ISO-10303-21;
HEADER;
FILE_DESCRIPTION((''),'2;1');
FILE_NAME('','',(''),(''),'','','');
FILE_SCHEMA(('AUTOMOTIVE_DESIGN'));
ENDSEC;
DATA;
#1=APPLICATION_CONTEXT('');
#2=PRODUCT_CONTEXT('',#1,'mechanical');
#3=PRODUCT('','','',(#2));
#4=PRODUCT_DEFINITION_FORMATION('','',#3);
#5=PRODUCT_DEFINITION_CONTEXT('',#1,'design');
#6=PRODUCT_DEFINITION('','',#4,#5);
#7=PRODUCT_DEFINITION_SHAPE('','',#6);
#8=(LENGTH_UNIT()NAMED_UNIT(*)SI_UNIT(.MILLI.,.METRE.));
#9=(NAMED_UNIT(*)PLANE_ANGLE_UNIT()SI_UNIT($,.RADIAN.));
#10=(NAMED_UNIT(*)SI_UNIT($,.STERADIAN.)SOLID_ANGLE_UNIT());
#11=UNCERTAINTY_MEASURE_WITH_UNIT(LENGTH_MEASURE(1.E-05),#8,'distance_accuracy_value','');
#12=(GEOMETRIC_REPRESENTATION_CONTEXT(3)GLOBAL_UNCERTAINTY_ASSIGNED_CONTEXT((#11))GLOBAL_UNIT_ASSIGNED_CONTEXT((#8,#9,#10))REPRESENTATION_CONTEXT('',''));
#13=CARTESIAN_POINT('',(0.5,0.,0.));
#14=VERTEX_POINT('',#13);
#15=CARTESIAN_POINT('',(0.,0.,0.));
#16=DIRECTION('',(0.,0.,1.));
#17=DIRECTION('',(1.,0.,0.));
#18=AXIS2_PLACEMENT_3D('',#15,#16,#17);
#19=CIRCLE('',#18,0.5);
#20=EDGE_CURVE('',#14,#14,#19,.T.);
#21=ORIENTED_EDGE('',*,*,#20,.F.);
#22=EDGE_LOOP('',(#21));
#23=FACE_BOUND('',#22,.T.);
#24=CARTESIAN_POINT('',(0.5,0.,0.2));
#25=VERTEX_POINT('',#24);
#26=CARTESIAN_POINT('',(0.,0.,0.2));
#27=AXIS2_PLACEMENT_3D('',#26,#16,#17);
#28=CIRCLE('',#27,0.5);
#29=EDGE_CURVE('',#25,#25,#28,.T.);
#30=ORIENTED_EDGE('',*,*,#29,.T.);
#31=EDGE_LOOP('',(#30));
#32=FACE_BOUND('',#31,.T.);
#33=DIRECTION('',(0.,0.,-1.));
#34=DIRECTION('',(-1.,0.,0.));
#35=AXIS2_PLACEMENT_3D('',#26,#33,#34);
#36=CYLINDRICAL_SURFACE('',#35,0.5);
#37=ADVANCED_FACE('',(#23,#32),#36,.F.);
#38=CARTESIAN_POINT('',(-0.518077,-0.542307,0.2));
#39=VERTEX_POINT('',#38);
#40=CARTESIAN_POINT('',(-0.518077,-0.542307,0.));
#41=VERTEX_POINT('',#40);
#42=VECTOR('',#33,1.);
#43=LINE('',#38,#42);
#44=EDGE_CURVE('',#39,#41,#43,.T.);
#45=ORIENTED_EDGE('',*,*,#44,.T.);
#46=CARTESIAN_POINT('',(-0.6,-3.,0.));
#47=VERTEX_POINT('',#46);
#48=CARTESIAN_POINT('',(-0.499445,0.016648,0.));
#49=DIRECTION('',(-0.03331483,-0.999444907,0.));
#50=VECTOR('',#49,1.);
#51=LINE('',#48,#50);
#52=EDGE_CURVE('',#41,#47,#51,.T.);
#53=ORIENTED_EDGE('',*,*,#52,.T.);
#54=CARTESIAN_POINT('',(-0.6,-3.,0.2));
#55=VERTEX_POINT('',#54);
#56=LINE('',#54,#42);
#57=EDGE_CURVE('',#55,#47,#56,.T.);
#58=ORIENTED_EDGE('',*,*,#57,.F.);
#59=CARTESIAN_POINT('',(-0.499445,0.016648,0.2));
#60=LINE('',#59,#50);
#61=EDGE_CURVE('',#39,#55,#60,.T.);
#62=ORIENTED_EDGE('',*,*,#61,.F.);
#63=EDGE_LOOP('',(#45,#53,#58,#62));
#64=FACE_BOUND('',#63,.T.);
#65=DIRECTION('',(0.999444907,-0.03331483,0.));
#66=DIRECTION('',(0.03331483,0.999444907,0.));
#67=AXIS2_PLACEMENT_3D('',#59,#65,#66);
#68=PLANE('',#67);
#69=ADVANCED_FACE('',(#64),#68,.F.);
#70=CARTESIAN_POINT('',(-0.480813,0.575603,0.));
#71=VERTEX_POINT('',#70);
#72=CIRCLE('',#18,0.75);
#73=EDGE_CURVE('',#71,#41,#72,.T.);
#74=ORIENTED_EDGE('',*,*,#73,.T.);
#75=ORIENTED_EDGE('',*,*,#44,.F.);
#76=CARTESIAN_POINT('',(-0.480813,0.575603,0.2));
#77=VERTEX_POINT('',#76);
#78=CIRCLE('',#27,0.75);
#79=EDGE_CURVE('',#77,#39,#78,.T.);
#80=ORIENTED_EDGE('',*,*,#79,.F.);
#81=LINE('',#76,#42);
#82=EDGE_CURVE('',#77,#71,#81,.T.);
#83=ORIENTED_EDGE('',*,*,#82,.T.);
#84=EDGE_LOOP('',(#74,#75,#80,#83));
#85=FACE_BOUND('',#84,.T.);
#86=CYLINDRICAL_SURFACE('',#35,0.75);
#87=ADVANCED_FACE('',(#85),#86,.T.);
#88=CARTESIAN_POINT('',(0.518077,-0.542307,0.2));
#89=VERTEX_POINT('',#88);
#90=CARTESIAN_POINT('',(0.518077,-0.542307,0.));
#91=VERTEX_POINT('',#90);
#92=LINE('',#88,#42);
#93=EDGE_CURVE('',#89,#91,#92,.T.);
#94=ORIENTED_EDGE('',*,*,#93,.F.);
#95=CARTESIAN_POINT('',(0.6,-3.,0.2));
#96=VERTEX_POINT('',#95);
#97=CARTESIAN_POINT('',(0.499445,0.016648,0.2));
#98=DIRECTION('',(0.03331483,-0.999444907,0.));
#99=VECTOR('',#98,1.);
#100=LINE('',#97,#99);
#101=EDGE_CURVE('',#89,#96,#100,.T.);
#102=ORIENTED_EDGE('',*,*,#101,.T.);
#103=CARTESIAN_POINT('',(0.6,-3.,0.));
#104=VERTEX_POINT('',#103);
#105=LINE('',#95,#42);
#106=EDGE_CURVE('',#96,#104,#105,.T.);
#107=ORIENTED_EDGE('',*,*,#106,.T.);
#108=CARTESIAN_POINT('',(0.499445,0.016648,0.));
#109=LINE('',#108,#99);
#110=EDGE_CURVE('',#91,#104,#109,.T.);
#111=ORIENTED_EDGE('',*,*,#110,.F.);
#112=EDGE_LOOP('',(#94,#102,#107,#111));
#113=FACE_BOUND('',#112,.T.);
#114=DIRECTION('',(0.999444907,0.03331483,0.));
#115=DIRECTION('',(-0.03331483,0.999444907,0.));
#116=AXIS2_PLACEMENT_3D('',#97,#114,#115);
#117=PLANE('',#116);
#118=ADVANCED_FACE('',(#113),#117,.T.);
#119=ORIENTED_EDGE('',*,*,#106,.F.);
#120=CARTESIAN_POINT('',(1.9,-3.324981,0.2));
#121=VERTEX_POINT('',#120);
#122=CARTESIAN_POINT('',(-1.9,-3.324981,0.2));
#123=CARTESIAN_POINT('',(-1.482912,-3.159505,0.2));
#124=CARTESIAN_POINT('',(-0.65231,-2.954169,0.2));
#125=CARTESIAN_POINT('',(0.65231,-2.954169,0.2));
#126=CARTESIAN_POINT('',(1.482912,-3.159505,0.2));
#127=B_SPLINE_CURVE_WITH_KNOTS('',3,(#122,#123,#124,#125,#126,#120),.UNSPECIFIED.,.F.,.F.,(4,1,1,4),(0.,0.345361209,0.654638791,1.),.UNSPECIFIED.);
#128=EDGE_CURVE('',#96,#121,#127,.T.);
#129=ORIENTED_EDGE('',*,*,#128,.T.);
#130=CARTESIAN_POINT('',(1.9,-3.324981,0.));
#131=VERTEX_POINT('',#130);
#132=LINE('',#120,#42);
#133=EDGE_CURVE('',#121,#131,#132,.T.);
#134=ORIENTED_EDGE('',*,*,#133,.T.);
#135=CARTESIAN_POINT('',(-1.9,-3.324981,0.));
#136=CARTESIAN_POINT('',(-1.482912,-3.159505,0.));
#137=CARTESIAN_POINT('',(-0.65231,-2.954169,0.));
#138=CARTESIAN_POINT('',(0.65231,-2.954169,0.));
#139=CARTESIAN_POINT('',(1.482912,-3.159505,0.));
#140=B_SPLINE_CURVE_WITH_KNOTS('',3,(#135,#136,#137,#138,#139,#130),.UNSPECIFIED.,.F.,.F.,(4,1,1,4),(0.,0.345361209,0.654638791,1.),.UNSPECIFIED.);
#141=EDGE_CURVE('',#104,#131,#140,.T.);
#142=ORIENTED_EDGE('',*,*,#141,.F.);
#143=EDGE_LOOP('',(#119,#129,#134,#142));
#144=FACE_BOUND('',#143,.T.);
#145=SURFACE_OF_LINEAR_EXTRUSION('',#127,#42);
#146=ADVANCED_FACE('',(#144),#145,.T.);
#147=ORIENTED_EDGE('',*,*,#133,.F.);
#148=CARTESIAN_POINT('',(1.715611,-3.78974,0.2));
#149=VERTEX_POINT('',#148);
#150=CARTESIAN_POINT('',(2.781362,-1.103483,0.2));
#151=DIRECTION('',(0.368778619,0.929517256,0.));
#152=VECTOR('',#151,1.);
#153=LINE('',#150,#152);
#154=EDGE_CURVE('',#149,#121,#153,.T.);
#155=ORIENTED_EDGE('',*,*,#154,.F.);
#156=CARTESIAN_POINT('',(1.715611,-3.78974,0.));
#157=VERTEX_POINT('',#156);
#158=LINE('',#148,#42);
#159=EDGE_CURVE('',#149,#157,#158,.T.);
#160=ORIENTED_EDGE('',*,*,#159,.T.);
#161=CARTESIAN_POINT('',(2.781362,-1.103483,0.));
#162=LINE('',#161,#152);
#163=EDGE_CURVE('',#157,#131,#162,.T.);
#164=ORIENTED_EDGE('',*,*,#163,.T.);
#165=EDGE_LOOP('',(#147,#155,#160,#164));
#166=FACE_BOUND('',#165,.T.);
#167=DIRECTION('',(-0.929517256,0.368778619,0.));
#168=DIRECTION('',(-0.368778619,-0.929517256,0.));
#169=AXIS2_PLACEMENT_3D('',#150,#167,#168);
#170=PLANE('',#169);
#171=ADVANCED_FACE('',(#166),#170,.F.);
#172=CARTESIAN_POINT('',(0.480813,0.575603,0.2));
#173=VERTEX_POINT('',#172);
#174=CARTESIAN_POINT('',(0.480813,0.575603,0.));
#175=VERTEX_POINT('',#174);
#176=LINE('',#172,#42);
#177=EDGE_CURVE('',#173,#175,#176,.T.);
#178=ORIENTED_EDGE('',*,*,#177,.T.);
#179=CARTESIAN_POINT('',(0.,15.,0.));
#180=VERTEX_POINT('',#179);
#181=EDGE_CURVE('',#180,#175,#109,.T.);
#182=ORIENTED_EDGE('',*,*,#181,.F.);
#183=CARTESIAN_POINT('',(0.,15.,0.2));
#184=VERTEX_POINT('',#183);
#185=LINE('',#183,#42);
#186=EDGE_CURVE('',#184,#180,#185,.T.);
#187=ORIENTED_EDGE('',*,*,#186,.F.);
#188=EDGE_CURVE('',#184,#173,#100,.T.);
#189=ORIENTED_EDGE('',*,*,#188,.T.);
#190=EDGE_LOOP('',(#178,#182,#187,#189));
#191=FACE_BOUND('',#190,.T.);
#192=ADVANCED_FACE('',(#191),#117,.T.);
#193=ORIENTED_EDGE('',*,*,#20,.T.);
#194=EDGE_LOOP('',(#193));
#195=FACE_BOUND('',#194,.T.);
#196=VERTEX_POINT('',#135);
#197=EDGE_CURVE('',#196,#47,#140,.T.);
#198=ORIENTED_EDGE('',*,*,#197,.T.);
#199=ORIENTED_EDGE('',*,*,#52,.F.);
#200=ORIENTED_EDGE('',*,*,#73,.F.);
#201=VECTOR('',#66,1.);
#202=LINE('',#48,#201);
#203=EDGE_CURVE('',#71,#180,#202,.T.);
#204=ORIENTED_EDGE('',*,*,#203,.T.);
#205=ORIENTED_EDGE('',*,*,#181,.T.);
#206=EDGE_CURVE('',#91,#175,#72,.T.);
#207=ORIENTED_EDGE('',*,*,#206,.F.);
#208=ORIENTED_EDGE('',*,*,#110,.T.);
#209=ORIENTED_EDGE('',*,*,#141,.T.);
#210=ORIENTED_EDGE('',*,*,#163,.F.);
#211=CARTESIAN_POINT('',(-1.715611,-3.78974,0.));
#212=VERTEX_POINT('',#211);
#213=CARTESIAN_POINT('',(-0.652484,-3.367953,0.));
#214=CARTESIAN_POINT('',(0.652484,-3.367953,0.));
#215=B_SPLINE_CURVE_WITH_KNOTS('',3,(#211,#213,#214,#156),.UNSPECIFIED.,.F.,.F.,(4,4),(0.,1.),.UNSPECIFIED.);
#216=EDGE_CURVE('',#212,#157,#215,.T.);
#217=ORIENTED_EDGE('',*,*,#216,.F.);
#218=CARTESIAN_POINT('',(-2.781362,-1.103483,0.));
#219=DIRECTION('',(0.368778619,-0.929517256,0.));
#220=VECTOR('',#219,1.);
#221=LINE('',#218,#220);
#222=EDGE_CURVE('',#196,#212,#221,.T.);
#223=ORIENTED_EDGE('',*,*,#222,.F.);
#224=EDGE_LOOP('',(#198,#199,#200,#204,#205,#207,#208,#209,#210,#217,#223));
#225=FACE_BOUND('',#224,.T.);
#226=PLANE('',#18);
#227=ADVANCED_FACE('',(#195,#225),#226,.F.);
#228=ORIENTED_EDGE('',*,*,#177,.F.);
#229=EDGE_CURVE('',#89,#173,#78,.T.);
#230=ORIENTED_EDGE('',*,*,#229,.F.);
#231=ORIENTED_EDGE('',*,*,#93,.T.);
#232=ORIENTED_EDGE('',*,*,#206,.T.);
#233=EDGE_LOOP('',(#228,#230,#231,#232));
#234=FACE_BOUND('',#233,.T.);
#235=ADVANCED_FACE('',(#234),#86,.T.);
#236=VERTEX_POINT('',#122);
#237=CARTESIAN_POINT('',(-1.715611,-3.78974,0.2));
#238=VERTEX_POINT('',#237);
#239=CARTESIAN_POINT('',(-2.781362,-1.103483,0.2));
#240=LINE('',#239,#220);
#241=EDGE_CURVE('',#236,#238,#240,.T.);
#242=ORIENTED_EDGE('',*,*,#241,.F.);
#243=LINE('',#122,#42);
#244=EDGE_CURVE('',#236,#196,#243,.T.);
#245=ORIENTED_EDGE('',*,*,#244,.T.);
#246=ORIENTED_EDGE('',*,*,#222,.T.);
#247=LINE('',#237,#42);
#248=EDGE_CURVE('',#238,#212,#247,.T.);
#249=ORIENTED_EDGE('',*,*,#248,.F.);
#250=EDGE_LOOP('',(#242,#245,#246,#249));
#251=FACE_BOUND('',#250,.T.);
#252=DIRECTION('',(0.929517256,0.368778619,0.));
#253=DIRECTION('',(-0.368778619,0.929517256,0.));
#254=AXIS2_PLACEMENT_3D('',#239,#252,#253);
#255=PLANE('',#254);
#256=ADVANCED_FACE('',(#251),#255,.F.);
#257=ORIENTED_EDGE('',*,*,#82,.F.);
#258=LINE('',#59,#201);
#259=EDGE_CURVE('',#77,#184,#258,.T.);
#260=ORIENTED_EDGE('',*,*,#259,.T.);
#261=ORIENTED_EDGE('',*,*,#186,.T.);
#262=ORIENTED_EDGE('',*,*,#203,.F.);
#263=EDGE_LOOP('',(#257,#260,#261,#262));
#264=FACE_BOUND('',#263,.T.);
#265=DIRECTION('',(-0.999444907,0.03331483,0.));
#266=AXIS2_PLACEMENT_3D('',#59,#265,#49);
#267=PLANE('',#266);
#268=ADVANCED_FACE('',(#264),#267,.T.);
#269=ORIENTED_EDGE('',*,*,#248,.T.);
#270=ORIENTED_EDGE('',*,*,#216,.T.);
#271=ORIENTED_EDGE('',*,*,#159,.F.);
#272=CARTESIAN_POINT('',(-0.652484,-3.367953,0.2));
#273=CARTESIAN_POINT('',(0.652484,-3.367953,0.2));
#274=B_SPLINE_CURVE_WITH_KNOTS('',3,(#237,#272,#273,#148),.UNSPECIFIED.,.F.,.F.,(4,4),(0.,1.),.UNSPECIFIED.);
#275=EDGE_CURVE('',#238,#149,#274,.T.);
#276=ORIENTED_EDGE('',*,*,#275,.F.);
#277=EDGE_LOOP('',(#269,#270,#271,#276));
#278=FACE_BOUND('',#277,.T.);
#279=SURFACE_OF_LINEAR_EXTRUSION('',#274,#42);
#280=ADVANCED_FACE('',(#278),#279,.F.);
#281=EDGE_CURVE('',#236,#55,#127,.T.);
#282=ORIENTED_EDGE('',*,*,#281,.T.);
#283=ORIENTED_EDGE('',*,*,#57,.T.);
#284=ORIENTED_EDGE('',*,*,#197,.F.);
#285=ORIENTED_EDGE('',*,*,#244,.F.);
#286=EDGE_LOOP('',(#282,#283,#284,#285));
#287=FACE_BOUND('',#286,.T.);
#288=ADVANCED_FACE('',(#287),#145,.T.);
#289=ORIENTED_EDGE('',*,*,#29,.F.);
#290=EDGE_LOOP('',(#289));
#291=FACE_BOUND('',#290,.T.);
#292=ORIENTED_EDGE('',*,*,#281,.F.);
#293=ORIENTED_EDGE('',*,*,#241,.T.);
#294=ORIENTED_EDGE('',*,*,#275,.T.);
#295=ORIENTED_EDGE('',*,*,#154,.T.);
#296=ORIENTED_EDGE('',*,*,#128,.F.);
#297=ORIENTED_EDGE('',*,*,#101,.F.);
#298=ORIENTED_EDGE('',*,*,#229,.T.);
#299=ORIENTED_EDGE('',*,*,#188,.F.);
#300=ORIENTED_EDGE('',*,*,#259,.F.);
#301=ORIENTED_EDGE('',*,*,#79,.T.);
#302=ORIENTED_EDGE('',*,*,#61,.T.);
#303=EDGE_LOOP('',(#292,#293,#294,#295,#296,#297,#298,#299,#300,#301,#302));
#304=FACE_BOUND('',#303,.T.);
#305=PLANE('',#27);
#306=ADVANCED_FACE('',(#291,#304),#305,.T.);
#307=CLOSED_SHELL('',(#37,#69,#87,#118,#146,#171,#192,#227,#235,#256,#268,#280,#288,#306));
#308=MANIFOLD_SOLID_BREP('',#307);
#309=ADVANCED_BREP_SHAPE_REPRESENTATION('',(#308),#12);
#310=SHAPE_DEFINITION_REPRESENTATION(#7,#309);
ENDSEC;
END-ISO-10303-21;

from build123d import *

# Parameters (mm, degrees)
CROQUIS1_R              = 0.75
CROQUIS1_R_2            = 0.5
SALIENTE_EXTRUIR1_DEPTH = 0.2


with BuildPart() as part:
    # Croquis1 → Saliente-Extruir1 (new body)
    with BuildSketch(Plane.XY):
        with BuildLine():
            Line((0.480813239, 0.57560284), (0, 15))
            Line((0, 15), (-0.480813239, 0.57560284))
            ThreePointArc((-0.480813239, 0.57560284), (0, 0.75), (0.480813239, 0.57560284))
        make_face()
        Circle(CROQUIS1_R)
        Circle(CROQUIS1_R_2, mode=Mode.SUBTRACT)
        with BuildLine():
            ThreePointArc((0.518076883, -0.542306503), (0, -0.75), (-0.518076883, -0.542306503))
            Line((-0.518076883, -0.542306503), (-0.6, -3))
            add(Edge.make_bspline(
                [(-0.6, -3), (-0.201744862, -2.954169047), (0.201744862, -2.954169047), (0.6, -3)],
                knots=[0.345361209, 0.345361209, 0.345361209, 0.345361209, 0.654638791, 0.654638791, 0.654638791, 0.654638791], degree=3))
            Line((0.6, -3), (0.518076883, -0.542306503))
        make_face()
        with BuildLine():
            add(Edge.make_bspline(
                [(-0.6, -3), (-0.201744862, -2.954169047), (0.201744862, -2.954169047), (0.6, -3)],
                knots=[0.345361209, 0.345361209, 0.345361209, 0.345361209, 0.654638791, 0.654638791, 0.654638791, 0.654638791], degree=3))
            add(Edge.make_bspline(
                [(-1.9, -3.324981437), (-1.482912392, -3.159505228), (-1.044719839, -3.051178082), (-0.6, -3)],
                knots=[0, 0, 0, 0, 0.345361209, 0.345361209, 0.345361209, 0.345361209], degree=3))
            Line((-1.9, -3.324981437), (-1.71561069, -3.789740065))
            add(Edge.make_bspline(
                [(-1.71561069, -3.789740065), (-0.652484196, -3.367953038), (0.652484196, -3.367953038), (1.71561069, -3.789740065)],
                knots=[0, 0, 0, 0, 1, 1, 1, 1], degree=3))
            Line((1.71561069, -3.789740065), (1.9, -3.324981437))
            add(Edge.make_bspline(
                [(0.6, -3), (1.044719839, -3.051178082), (1.482912392, -3.159505228), (1.9, -3.324981437)],
                knots=[0.654638791, 0.654638791, 0.654638791, 0.654638791, 1, 1, 1, 1], degree=3))
        make_face()
    extrude(amount=SALIENTE_EXTRUIR1_DEPTH)


solid = part.part
